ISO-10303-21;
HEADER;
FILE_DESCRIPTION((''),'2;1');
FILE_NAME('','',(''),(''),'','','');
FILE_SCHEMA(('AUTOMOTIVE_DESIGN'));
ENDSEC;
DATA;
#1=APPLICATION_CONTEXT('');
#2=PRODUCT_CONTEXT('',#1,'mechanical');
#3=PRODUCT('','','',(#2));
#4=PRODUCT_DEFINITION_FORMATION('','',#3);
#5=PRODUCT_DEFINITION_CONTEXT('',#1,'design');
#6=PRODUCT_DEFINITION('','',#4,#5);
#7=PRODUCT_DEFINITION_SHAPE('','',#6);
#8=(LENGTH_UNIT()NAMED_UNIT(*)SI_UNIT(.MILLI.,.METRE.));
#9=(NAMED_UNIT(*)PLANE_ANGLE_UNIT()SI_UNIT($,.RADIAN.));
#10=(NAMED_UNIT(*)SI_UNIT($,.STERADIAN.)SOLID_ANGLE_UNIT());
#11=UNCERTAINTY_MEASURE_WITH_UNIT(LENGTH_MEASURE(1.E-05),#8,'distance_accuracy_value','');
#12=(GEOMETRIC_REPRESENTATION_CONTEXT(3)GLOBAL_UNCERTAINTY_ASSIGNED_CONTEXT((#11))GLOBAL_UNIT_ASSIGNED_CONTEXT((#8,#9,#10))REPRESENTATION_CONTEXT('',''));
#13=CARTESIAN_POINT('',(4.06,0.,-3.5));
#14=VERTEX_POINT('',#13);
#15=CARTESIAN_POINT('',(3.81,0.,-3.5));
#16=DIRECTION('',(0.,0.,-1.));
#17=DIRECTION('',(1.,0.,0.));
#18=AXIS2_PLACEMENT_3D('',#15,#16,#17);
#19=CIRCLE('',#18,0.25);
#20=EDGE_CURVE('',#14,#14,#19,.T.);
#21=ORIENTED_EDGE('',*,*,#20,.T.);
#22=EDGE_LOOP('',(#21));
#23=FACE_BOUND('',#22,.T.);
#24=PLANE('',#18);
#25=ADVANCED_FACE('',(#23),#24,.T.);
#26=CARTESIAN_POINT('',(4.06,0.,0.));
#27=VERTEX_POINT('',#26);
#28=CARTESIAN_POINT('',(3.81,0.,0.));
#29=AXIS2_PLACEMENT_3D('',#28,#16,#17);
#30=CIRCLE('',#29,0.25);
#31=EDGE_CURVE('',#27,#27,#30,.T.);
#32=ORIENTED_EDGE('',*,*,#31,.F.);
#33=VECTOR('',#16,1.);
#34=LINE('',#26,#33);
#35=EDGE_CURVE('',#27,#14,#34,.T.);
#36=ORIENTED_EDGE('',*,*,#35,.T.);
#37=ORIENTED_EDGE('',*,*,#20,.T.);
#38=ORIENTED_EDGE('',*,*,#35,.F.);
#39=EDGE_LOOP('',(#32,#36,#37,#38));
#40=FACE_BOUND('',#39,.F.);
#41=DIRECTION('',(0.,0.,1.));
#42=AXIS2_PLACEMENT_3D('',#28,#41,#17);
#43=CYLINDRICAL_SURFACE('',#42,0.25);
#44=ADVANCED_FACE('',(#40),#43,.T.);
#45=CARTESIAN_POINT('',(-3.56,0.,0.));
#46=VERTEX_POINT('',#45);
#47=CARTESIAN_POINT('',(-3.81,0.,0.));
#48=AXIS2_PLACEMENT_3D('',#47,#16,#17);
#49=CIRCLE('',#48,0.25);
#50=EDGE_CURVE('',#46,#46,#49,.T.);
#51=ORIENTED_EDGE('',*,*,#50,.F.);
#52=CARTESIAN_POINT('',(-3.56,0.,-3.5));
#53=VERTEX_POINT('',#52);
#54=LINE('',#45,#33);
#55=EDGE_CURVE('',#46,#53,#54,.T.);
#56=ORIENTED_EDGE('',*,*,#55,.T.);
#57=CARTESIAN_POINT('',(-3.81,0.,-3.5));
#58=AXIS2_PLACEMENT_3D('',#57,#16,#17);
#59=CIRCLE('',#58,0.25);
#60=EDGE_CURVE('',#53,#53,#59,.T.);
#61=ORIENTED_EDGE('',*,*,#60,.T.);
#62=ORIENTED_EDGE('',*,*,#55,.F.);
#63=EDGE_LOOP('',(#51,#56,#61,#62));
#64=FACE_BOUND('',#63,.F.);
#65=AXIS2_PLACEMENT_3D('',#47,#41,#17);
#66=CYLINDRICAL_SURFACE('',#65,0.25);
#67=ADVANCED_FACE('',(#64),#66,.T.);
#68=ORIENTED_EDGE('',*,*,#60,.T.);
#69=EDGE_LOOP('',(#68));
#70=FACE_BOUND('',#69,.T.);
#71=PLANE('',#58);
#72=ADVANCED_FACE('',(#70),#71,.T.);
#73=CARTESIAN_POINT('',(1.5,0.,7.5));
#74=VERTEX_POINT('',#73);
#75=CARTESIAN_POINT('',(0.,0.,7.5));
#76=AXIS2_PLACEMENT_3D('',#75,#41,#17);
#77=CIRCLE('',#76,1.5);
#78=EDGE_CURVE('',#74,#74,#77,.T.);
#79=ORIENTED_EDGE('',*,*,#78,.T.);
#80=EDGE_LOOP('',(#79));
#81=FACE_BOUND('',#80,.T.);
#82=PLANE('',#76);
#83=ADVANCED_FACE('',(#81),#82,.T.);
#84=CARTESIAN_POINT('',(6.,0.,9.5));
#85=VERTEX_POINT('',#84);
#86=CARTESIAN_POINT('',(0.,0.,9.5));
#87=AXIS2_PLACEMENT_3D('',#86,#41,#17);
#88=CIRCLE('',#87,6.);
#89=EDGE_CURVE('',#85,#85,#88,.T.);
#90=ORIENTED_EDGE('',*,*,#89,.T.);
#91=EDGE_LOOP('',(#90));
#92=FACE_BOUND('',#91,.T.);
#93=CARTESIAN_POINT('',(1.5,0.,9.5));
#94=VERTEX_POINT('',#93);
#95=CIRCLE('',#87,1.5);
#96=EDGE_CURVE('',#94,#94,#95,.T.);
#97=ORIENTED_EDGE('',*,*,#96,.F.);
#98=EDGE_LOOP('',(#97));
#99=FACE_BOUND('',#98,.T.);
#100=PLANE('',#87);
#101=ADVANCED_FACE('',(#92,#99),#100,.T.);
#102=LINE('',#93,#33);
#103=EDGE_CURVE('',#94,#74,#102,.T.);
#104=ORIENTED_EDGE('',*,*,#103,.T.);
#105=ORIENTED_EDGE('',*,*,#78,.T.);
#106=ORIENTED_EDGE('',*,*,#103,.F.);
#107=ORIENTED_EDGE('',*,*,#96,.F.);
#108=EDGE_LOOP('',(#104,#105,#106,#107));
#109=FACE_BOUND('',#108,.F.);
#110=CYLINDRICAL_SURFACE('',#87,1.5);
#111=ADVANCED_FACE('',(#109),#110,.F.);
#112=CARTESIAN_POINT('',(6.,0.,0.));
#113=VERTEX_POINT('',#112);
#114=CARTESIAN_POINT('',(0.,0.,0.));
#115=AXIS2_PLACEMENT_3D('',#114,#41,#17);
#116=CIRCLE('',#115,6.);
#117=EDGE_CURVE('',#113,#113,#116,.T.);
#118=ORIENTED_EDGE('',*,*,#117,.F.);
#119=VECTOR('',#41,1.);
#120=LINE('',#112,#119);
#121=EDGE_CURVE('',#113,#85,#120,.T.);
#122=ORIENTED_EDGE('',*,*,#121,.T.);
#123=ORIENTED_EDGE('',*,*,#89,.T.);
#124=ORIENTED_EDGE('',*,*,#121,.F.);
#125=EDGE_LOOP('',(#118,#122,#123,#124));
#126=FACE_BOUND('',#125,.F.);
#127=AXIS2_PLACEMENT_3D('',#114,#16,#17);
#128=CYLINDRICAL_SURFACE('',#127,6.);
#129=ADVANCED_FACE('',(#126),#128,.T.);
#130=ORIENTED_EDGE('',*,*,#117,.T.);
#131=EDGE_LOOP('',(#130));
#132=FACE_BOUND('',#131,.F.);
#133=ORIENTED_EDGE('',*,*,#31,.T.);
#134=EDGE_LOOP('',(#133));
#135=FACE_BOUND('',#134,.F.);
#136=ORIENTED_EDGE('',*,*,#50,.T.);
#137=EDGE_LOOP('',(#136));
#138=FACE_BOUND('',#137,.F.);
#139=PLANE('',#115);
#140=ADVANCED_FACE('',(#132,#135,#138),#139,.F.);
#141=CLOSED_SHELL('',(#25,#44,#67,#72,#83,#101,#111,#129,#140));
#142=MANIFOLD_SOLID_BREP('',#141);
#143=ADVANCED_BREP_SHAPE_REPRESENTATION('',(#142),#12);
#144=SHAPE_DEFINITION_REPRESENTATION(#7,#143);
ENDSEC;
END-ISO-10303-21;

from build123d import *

# Parameters (mm, degrees)
SKETCH_R     = 6
PAD_DEPTH    = 9.5
SKETCH001_R  = 1.5
POCKET_DEPTH = 2
SKETCH002_R  = 0.25
PAD001_DEPTH = 3.5


with BuildPart() as part:
    # Sketch → Pad (new body)
    with BuildSketch(Plane.XY):
        Circle(SKETCH_R)
    extrude(amount=PAD_DEPTH)

    # Sketch001 (on Face3 of Pad) → Pocket (cut)
    with BuildSketch(Plane.XY.offset(9.5)):
        Circle(SKETCH001_R)
    extrude(amount=-POCKET_DEPTH, mode=Mode.SUBTRACT)

    # Sketch002 (on Face2 of Pocket) → Pad001 (join)
    with BuildSketch(Plane(origin=(0, 0, 0), x_dir=(1, 0, 0), z_dir=(0, 0, -1))):
        with Locations((-3.81, 0)):
            Circle(SKETCH002_R)
        with Locations((3.81, 0)):
            Circle(SKETCH002_R)
    extrude(amount=PAD001_DEPTH)


solid = part.part
